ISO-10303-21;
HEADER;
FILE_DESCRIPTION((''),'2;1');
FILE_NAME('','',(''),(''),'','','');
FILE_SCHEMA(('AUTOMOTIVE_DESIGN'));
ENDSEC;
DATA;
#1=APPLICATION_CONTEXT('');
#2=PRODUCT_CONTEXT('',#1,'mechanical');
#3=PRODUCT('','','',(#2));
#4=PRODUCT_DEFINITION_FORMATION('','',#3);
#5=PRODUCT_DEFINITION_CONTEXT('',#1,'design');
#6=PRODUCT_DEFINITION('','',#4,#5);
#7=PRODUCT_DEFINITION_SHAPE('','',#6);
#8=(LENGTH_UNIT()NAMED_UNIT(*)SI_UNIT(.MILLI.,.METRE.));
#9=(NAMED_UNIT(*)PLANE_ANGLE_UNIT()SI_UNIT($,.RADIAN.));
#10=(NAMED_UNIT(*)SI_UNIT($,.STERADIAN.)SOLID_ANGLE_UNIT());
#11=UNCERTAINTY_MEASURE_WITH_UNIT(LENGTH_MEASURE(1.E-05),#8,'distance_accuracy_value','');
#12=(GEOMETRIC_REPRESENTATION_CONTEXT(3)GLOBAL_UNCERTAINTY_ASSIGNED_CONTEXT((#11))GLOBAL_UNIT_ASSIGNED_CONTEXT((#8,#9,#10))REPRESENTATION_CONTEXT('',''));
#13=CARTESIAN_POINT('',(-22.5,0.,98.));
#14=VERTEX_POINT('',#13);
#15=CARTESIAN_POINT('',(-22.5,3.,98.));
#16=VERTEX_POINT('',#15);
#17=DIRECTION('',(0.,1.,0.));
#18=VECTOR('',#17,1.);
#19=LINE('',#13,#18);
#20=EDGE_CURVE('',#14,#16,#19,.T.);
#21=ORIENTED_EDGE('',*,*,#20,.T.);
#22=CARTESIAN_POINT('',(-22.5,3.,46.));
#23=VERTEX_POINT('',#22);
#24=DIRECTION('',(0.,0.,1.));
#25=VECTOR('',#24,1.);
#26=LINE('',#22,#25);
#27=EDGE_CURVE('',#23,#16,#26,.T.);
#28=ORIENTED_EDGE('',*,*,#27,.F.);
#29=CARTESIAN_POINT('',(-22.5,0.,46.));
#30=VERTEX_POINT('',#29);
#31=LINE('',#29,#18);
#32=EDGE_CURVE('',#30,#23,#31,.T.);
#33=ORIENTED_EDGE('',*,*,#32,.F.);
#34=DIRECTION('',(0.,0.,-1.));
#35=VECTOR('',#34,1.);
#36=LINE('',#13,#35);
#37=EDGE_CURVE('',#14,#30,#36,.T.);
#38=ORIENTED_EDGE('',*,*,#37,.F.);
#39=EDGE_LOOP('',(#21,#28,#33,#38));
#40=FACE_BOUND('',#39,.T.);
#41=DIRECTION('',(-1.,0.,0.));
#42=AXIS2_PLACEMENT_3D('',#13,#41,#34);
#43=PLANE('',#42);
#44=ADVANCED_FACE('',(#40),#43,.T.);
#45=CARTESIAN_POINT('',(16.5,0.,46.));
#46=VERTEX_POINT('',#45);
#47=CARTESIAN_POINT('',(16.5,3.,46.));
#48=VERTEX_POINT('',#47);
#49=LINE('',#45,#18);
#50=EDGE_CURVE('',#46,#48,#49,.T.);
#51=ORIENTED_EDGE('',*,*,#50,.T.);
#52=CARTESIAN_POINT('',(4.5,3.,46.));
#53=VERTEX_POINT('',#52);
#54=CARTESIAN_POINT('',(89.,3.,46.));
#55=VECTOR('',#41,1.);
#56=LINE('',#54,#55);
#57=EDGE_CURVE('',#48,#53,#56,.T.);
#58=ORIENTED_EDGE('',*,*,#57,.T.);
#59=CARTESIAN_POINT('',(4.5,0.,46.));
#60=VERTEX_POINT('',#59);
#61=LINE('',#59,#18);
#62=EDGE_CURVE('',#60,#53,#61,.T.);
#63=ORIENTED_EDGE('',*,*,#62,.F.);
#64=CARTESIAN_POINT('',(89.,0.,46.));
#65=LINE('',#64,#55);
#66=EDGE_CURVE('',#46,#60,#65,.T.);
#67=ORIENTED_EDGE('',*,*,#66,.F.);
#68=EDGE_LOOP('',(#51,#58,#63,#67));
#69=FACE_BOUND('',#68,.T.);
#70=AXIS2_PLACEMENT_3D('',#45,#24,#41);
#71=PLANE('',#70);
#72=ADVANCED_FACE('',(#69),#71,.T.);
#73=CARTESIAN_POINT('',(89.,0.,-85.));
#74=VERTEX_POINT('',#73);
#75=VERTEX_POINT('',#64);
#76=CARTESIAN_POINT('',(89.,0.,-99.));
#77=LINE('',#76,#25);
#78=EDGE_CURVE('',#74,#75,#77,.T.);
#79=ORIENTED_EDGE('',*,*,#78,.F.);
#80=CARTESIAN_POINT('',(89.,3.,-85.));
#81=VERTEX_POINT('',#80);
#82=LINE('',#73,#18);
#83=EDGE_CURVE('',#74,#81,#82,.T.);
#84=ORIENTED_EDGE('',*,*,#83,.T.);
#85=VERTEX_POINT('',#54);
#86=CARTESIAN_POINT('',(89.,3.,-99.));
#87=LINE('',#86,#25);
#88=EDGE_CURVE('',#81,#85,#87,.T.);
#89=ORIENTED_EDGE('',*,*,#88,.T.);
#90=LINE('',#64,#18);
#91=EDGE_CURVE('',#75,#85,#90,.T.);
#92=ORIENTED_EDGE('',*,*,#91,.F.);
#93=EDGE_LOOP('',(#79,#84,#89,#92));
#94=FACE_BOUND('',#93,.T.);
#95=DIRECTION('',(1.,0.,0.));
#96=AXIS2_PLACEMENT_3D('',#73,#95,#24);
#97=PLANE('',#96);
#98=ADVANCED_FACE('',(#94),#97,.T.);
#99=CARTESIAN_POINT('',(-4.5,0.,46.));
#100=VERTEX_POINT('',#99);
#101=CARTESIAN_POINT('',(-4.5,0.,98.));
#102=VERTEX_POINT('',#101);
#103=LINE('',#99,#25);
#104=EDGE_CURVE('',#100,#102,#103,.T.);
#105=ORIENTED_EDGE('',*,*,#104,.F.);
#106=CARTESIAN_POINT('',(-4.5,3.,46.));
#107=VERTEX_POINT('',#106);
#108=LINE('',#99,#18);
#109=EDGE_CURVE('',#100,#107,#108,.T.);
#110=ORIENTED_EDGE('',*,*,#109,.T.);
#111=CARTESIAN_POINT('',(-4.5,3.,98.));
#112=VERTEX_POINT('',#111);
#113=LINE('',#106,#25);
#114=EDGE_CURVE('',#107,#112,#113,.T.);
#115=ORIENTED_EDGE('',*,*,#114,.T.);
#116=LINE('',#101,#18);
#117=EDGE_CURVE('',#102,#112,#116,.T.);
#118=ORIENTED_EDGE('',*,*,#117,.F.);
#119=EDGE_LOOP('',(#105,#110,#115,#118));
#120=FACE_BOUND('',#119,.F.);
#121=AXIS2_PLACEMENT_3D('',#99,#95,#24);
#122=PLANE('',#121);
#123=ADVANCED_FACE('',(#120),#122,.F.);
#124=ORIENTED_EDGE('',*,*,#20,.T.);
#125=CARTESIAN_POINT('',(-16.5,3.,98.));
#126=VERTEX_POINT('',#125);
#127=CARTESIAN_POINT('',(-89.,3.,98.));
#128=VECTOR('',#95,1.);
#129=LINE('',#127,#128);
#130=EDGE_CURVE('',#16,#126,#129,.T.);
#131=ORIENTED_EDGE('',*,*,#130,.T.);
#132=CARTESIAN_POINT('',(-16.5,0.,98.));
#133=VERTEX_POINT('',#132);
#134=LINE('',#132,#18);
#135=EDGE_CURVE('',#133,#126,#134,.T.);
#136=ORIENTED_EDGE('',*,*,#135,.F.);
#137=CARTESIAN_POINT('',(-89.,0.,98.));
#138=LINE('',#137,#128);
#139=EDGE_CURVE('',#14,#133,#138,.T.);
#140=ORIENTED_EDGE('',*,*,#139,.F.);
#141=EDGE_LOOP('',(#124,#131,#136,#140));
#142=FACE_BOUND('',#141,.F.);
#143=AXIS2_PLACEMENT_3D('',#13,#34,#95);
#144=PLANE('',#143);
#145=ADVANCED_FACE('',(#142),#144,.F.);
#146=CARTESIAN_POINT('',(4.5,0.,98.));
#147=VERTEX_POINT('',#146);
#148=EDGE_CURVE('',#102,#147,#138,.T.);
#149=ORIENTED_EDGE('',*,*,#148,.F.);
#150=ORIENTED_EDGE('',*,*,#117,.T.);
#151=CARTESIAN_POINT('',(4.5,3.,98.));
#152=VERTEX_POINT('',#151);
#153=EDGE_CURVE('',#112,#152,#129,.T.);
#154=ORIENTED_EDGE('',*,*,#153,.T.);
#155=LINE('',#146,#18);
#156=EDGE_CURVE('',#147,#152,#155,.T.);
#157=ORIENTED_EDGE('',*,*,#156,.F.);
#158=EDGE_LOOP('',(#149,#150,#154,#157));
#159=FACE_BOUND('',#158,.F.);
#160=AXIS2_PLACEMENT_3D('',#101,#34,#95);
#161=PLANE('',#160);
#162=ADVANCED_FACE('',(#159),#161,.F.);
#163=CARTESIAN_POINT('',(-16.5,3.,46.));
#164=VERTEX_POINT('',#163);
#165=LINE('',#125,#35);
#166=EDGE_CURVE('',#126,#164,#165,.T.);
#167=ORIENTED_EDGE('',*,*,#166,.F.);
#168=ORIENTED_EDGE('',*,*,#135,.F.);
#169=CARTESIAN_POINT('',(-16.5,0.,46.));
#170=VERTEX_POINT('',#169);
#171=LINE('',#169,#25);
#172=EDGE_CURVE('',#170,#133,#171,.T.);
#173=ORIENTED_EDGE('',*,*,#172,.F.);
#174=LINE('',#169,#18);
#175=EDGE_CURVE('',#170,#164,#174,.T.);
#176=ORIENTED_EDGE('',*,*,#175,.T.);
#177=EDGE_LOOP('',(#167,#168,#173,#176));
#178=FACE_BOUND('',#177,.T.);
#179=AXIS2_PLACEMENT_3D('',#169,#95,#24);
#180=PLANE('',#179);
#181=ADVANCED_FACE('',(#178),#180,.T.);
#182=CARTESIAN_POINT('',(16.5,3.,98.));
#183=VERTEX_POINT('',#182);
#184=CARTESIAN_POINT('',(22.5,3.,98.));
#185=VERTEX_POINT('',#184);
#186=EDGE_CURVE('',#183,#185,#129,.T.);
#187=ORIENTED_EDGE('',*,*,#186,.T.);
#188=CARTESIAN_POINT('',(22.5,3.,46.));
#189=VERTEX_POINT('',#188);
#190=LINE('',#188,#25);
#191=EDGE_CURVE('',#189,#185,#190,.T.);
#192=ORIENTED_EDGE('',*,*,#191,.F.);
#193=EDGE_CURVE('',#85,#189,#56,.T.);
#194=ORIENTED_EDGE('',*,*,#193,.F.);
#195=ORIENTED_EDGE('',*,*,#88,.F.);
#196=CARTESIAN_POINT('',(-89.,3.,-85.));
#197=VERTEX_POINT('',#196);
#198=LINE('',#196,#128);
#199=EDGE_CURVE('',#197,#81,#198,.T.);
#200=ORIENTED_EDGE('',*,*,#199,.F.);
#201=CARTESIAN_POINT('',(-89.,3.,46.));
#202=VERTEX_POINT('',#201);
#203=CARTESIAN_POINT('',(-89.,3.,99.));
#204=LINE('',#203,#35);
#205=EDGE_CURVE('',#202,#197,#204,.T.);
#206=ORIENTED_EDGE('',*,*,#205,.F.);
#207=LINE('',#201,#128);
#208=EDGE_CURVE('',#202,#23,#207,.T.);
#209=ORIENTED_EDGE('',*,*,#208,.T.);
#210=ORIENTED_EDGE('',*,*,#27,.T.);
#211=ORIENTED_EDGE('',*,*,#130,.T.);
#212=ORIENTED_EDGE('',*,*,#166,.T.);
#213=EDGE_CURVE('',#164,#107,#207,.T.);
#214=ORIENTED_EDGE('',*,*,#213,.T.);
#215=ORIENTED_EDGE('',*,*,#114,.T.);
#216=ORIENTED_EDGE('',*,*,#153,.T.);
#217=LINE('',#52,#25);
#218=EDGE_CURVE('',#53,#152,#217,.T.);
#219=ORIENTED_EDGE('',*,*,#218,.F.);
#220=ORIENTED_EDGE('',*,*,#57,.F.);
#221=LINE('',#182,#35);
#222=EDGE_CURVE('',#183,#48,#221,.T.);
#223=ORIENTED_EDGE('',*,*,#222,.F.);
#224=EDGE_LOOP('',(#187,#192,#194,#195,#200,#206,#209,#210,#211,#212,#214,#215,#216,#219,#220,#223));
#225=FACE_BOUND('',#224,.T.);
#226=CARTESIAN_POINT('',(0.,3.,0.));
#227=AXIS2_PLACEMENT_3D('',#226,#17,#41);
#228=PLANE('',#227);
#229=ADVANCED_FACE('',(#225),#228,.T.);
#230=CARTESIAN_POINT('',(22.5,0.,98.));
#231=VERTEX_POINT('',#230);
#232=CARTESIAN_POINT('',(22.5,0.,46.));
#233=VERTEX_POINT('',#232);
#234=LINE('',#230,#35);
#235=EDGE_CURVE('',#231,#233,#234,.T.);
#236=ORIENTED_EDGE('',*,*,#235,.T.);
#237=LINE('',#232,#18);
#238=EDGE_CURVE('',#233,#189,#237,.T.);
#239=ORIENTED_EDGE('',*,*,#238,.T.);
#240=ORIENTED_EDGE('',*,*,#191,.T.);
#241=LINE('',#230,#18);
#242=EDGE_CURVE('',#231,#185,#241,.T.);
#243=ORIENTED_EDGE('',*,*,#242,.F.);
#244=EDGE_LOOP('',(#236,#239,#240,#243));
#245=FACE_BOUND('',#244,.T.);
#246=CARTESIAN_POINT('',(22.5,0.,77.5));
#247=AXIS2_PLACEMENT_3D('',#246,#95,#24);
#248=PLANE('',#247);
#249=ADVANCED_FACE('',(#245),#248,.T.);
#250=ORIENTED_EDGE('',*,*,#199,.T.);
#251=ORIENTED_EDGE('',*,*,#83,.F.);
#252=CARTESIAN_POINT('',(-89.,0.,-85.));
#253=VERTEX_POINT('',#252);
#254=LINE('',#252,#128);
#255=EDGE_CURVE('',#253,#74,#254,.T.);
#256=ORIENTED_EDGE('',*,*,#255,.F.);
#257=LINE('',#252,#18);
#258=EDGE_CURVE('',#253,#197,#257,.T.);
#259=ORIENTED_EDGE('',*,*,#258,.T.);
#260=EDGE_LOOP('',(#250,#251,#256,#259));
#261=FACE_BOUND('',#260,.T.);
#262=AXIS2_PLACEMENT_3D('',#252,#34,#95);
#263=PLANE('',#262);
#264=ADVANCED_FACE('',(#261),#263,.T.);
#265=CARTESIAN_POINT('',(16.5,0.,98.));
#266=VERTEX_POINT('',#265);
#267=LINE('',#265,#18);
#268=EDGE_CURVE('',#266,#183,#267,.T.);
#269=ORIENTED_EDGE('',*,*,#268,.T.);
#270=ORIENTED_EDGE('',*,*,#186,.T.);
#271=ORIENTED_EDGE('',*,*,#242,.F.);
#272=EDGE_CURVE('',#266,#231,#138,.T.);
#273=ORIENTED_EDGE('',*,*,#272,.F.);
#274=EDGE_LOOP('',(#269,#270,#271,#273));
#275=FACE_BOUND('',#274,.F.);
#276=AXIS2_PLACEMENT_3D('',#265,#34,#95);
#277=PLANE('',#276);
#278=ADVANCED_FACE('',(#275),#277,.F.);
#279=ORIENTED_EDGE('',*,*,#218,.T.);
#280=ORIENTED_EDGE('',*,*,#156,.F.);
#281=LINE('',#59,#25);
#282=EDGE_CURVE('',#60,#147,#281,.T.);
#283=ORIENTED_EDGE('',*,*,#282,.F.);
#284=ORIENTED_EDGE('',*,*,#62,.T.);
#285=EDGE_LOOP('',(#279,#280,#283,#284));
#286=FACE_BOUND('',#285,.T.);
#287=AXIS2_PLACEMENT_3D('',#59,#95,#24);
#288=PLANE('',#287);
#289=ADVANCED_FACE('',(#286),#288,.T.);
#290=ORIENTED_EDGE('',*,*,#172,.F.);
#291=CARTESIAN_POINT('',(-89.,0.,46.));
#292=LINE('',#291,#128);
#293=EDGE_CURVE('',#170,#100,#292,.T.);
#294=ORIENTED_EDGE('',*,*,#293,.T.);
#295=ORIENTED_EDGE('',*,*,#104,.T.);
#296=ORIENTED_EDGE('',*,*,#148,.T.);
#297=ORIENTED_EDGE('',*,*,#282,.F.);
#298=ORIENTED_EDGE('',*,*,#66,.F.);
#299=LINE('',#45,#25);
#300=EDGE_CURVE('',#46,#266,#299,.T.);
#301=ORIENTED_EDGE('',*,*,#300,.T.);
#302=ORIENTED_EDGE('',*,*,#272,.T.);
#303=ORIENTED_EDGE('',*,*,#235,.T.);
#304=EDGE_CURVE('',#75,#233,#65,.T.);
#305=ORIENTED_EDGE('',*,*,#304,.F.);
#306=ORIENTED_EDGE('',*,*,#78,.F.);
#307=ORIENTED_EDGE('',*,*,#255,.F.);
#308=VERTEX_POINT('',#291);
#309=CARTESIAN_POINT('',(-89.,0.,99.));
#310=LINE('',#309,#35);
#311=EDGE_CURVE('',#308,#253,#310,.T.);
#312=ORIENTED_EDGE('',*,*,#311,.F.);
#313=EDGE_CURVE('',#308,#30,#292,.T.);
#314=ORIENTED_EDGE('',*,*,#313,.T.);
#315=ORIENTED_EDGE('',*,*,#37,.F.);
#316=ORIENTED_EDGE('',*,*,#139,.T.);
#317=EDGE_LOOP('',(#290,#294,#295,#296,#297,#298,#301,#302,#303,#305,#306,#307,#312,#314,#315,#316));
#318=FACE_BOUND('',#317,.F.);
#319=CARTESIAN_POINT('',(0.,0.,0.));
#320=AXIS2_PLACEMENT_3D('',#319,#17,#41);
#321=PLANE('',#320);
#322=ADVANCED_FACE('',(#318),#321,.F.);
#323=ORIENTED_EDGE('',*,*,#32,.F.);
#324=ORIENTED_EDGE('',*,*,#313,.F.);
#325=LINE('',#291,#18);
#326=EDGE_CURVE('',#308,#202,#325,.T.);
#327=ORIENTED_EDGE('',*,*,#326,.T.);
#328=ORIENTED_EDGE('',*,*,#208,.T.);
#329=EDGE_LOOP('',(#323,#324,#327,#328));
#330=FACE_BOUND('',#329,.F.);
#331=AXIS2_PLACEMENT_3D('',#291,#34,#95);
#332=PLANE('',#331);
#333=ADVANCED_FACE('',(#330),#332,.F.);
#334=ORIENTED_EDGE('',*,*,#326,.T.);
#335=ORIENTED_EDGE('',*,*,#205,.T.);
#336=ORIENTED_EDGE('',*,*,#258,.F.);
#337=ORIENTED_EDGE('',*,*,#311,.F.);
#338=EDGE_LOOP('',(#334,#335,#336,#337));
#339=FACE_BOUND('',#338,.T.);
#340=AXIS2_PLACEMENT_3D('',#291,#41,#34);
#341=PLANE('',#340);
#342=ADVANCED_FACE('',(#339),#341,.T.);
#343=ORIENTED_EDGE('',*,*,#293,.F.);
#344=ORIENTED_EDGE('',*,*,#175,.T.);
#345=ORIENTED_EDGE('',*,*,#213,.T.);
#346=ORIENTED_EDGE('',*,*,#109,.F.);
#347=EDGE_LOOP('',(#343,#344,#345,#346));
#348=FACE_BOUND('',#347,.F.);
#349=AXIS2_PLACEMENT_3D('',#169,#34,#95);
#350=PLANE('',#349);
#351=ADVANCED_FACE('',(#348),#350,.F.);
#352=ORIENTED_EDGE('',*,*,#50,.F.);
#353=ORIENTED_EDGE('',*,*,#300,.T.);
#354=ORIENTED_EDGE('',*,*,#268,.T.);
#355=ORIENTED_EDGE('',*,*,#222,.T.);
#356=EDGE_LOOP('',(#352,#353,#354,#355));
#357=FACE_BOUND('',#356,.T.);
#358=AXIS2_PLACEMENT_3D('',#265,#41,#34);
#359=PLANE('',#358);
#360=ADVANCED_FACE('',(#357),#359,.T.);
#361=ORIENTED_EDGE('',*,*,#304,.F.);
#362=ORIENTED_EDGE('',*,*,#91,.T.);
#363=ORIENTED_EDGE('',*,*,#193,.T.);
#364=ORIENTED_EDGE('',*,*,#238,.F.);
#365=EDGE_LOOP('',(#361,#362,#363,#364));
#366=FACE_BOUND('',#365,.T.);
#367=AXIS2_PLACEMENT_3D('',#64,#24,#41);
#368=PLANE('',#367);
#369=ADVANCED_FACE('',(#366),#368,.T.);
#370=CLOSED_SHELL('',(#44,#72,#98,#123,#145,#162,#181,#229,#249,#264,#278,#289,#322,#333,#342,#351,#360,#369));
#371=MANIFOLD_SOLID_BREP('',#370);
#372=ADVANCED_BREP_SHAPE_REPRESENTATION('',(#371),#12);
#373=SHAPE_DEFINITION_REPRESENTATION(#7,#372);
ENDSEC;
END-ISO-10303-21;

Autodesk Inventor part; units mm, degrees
ref_plane "YZ Plane" through (0, 0, 0) normal (1, 0, 0) x (0, 1, 0)
ref_plane "XZ Plane" through (0, 0, 0) normal (0, 1, 0) x (-1, 0, 0)
ref_plane "XY Plane" through (0, 0, 0) normal (0, 0, 1) x (1, 0, 0)
sketch "Sketch2" plane through (0, 0, 0) normal (0, 1, 0) x (-1, 0, 0)
  line L0 (-89, 99) -> (89, 99)
  line L1 (89, 99) -> (89, -99)
  line L2 (89, -99) -> (-89, -99)
  line L3 (-89, -99) -> (-89, 99)
  line L4 (-89, 99) -> (89, -99) construction
  line L5 (89, 99) -> (-89, -99) construction
  line L6 (-89, 99) -> (89, 99)
  line L7 (89, 99) -> (89, -85)
  line L8 (89, -85) -> (-89, -85)
  line L9 (-89, -85) -> (-89, 99)
  line L10 (-4.5, 99) -> (-89, 99)
  line L11 (-89, 99) -> (-89, 46)
  line L12 (-89, 46) -> (-4.5, 46)
  line L13 (-4.5, 46) -> (-4.5, 99)
  line L14 (4.5, 99) -> (89, 99)
  line L15 (89, 99) -> (89, 46)
  line L16 (89, 46) -> (4.5, 46)
  line L17 (4.5, 46) -> (4.5, 99)
  line L18 (22.5, 77.5) -> (22.5, 66.5) projected
  line L19 (16.5, 66.5) -> (16.5, 77.5) projected
  line L20 (-22.5, 66.5) -> (-22.5, 77.5) projected
  line L21 (-16.5, 77.5) -> (-16.5, 66.5) projected
  line L22 (-22.5, 99) -> (-16.5, 99)
  line L23 (-16.5, 99) -> (-16.5, 46)
  line L24 (-16.5, 46) -> (-22.5, 46)
  line L25 (-22.5, 46) -> (-22.5, 99)
  line L26 (16.5, 99) -> (22.5, 99)
  line L27 (22.5, 99) -> (22.5, 46)
  line L28 (22.5, 46) -> (16.5, 46)
  line L29 (16.5, 46) -> (16.5, 99)
  line L30 (-89, 99) -> (89, 99)
  line L31 (89, 99) -> (89, 98)
  line L32 (89, 98) -> (-89, 98)
  line L33 (-89, 98) -> (-89, 99)
  point P0 (0, 0)
  point P1 (4.5, 99)
  point P2 (-4.5, 99)
  point P3 (-89, 46)
  point P4 (89, 46)
  point P5 (4.5, 98)
  point P6 (-4.5, 98)
  point P7 (-16.5, 98)
  point P8 (-22.5, 98)
  point P9 (22.5, 98)
  point P10 (16.5, 98)
  dimension "d8" = 178
  dimension "d9" = 198
  dimension "d10" = 14
  dimension "d11" = 84.5
  dimension "d12" = 53
  dimension "d13" = 84.5
  dimension "d14" = 53
  dimension "d17" = 9
  dimension "d18" = 1
extrude "Extrusion2" add sketch "Sketch2" along normal blind 3 contours L32 L23 L21 L12 L25 L20 | L12 L13 L32 L17 L16 L1 L8 L3 | L32 L27 L18 L16 L29 L19
equation "\"d11\" = d13"
properties part number "base" material "Steel, Alloy"
